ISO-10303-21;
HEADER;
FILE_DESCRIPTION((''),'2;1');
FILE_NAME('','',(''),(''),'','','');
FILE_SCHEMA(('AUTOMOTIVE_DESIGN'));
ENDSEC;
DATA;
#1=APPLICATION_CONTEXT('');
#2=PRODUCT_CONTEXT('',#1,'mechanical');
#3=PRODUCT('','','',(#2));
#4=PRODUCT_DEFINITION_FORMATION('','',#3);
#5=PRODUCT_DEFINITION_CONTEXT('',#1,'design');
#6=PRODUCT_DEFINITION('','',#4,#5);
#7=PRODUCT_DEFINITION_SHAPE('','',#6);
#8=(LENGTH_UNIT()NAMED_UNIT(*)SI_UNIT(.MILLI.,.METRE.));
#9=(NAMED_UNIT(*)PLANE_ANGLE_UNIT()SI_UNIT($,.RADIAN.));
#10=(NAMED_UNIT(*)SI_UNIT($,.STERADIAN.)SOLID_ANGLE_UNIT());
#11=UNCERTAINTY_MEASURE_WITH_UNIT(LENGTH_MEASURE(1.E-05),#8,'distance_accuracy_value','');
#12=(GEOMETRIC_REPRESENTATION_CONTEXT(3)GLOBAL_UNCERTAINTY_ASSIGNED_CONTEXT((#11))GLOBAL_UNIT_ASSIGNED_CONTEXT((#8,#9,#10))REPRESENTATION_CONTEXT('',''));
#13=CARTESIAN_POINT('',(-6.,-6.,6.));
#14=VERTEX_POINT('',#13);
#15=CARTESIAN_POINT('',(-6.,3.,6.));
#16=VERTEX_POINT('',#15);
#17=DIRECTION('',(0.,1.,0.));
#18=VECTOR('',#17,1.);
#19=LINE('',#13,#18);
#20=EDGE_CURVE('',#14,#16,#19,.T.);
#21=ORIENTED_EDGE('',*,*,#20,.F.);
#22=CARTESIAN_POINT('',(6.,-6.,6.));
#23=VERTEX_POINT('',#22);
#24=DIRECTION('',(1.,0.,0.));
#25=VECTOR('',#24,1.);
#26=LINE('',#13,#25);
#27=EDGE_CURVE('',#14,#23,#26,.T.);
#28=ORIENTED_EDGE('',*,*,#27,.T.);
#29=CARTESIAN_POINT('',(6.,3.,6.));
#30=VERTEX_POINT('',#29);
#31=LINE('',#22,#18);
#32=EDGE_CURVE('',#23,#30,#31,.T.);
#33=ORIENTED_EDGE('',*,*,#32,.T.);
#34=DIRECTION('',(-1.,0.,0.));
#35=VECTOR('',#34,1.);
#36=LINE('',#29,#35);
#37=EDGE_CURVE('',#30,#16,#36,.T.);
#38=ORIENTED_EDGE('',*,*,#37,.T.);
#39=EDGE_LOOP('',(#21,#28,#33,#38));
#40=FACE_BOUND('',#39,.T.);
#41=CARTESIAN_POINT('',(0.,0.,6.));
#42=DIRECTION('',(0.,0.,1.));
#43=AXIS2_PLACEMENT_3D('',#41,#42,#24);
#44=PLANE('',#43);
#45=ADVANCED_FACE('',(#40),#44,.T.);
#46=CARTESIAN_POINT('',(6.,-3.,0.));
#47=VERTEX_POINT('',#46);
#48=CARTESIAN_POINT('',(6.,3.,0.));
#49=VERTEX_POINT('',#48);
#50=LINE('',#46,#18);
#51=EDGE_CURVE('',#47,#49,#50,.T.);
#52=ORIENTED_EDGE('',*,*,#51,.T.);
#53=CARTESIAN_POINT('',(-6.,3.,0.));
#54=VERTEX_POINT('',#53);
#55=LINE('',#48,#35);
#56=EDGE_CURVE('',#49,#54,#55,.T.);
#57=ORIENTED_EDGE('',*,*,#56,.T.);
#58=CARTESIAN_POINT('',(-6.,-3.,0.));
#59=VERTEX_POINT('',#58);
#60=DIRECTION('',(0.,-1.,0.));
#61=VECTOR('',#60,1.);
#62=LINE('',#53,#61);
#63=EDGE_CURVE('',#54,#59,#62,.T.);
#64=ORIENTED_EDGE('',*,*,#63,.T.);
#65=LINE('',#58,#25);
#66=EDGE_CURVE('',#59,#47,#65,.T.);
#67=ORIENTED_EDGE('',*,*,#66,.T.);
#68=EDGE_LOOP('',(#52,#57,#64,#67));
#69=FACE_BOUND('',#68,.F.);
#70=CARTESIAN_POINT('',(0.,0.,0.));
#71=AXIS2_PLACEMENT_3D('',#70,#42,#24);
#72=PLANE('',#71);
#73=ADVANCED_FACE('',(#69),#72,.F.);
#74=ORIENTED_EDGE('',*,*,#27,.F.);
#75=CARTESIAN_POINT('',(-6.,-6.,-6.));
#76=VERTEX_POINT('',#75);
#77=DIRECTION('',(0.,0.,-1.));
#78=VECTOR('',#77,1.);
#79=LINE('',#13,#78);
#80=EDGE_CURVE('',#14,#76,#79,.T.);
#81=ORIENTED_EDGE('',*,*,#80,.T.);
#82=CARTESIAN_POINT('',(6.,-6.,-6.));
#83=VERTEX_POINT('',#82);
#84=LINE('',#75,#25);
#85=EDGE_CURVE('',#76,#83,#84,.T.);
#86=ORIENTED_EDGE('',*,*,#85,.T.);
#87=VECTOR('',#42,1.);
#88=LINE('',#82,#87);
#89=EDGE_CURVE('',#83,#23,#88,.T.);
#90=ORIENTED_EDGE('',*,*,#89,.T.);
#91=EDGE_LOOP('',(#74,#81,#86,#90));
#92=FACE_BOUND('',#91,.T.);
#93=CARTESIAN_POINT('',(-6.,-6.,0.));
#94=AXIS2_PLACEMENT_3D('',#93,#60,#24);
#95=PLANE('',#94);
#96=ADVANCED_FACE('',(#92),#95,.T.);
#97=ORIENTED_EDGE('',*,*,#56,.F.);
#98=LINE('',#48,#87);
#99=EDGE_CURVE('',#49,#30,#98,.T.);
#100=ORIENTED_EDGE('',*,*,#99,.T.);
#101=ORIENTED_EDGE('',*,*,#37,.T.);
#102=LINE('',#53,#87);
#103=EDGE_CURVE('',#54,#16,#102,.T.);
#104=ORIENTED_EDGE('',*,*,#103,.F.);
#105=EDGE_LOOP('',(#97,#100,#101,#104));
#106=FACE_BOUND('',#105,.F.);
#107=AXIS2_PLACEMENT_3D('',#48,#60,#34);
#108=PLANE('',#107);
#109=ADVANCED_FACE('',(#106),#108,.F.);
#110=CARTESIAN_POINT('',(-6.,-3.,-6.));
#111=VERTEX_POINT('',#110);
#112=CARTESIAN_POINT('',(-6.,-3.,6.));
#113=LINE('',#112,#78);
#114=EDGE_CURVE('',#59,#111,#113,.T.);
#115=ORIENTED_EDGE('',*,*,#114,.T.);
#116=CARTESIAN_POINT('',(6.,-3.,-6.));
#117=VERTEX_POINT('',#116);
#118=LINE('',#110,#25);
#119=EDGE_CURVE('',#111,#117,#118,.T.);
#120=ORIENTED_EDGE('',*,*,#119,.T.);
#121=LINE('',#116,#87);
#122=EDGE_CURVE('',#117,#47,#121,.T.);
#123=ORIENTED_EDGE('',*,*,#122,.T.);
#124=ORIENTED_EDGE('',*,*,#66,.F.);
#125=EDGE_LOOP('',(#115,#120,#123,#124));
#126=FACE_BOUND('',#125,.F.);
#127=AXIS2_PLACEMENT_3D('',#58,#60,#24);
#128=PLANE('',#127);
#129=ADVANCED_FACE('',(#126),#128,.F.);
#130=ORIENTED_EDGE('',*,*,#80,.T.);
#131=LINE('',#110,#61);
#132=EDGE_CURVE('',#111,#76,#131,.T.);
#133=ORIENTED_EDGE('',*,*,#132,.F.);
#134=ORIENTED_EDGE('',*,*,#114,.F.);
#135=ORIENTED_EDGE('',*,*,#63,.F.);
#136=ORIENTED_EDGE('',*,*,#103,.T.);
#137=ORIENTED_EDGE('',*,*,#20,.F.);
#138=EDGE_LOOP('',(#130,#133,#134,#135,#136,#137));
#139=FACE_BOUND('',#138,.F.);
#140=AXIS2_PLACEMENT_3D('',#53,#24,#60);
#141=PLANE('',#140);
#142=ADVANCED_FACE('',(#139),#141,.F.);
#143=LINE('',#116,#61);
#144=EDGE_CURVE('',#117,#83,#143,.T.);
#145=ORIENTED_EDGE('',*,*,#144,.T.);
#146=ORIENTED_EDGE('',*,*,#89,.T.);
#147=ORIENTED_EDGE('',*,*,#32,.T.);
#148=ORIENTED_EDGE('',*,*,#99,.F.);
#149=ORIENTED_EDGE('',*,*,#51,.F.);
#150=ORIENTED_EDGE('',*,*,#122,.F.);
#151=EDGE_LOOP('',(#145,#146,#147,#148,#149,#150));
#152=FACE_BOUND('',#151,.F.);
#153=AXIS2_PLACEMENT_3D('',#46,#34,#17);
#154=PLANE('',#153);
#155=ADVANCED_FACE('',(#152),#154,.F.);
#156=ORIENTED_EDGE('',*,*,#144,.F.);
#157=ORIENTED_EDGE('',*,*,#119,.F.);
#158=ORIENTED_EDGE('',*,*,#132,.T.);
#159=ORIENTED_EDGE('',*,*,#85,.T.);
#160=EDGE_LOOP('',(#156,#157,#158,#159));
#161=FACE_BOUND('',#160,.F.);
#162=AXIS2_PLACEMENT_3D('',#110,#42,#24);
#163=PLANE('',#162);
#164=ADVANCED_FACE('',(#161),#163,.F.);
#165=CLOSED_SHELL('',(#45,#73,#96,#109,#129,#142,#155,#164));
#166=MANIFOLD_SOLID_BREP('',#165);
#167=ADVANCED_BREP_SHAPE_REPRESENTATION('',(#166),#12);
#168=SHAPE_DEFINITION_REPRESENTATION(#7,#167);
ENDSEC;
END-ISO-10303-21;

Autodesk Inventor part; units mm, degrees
ref_plane "YZ Plane" through (0, 0, 0) normal (1, 0, 0) x (0, 1, 0)
ref_plane "XZ Plane" through (0, 0, 0) normal (0, 1, 0) x (-1, 0, 0)
ref_plane "XY Plane" through (0, 0, 0) normal (0, 0, 1) x (1, 0, 0)
sketch "Sketch1" plane through (0, 0, 0) normal (0, 0, 1) x (1, 0, 0)
  line L0 (-6, -3) -> (6, -3)
  line L1 (6, -3) -> (6, 3)
  line L2 (6, 3) -> (-6, 3)
  line L3 (-6, 3) -> (-6, -3)
  line L4 (-6, -3) -> (6, 3) construction
  line L5 (6, -3) -> (-6, 3) construction
  point P0 (0, 0)
  dimension "d0" = 12
  dimension "d1" = 6
extrude "Extrusion1" add sketch "Sketch1" along normal blind 6
sketch "Sketch2" plane through (-6, -3, 0) normal (0, -1, 0) x (1, 0, 0)
  line L0 (0, 6) -> (12, 6) projected
  line L1 (12, 6) -> (0, 6)
  line L2 (0, 6) -> (0, -6)
  line L3 (0, -6) -> (12, -6)
  line L4 (12, -6) -> (12, 6)
  point P0 (6, 0)
  dimension "d4" = 12
  dimension "d5" = 12
extrude "Extrusion2" add sketch "Sketch2" along normal blind 3
properties part number "CarroXY - FimCurso"
